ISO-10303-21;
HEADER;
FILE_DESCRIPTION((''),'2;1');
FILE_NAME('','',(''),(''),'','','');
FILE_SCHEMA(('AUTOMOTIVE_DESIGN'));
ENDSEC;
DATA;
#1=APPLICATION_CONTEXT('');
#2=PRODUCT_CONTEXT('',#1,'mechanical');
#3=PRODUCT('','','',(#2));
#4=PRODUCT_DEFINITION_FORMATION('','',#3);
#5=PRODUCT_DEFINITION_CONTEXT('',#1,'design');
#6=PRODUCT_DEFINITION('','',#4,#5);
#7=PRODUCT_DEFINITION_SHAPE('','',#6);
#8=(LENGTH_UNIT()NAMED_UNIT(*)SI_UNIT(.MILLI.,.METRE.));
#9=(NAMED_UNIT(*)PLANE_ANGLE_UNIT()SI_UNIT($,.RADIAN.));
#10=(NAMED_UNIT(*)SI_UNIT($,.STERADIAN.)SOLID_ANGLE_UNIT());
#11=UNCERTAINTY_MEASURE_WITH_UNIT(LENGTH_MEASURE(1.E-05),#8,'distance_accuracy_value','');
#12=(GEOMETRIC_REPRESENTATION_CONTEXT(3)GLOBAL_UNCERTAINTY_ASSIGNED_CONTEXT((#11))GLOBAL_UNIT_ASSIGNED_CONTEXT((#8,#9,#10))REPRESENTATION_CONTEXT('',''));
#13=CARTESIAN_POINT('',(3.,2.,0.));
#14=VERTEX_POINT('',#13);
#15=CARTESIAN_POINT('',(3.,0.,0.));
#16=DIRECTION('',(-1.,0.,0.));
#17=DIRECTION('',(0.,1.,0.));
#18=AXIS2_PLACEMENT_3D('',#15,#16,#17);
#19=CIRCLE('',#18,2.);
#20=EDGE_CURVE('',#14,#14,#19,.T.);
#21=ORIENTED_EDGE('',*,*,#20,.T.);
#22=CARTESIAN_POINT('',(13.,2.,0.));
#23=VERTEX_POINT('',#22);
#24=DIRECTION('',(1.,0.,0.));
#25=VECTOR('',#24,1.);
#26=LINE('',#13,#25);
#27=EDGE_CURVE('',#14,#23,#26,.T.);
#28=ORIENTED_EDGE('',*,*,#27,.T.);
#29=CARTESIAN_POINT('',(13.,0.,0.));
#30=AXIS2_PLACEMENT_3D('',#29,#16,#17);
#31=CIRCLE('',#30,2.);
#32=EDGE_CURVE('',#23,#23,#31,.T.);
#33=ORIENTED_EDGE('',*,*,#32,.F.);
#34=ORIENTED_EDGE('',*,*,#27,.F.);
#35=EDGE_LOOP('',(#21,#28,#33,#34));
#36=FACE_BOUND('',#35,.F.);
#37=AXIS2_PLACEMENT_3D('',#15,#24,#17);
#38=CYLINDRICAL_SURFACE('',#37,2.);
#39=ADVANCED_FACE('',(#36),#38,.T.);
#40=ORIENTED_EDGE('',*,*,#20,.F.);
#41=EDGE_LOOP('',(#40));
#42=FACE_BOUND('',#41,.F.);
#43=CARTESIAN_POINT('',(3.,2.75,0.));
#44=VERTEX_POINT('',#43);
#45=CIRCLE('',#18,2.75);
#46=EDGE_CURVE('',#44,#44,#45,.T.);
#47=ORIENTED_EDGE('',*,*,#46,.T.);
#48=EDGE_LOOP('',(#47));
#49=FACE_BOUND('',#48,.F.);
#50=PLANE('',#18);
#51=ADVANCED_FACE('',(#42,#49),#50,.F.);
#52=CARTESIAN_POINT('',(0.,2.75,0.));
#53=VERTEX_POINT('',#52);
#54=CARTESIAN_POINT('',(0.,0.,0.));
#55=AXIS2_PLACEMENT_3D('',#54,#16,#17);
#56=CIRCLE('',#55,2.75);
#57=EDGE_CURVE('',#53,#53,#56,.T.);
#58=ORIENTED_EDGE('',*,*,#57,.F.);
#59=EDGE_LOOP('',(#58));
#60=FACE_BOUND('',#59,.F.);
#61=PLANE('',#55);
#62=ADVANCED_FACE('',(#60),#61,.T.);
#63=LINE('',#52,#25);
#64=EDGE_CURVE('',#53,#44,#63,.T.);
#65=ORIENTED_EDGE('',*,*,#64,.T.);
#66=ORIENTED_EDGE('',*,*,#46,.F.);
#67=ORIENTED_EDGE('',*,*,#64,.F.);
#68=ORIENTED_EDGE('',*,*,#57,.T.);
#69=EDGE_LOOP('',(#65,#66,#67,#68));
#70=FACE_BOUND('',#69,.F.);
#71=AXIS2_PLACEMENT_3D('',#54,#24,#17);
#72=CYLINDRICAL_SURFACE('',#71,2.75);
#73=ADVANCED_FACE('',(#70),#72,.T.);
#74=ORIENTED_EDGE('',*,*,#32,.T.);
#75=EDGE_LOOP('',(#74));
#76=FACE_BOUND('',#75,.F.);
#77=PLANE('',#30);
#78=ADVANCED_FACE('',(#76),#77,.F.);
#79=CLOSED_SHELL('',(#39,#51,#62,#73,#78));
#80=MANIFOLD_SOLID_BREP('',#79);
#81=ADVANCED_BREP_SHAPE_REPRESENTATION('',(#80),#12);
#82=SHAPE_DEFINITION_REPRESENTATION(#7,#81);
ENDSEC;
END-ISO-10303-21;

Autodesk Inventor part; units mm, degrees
ref_plane "YZ Plane" through (0, 0, 0) normal (1, 0, 0) x (0, 1, 0)
ref_plane "XZ Plane" through (0, 0, 0) normal (0, 1, 0) x (-1, 0, 0)
ref_plane "XY Plane" through (0, 0, 0) normal (0, 0, 1) x (1, 0, 0)
sketch "スケッチ1" plane through (0, 0, 0) normal (0, 0, 1) x (1, 0, 0)
  line L0 (0, 0) -> (0, 2.75)
  line L1 (0, 2.75) -> (3, 2.75)
  line L2 (3, 2.75) -> (3, 2)
  line L3 (3, 2) -> (13, 2)
  line L4 (13, 2) -> (13, 0)
  line L5 (13, 0) -> (0, 0)
  dimension "d0" = 10
  dimension "d1" = 2
  dimension "d2" = 2.75
  dimension "d3" = 3
revolve "回転1" add sketch "スケッチ1" angle 360 about axis through (13, 0, 0) along (-1, 0, 0)
properties part number "Parts_Bolt_M4_L25" material "鋼"
